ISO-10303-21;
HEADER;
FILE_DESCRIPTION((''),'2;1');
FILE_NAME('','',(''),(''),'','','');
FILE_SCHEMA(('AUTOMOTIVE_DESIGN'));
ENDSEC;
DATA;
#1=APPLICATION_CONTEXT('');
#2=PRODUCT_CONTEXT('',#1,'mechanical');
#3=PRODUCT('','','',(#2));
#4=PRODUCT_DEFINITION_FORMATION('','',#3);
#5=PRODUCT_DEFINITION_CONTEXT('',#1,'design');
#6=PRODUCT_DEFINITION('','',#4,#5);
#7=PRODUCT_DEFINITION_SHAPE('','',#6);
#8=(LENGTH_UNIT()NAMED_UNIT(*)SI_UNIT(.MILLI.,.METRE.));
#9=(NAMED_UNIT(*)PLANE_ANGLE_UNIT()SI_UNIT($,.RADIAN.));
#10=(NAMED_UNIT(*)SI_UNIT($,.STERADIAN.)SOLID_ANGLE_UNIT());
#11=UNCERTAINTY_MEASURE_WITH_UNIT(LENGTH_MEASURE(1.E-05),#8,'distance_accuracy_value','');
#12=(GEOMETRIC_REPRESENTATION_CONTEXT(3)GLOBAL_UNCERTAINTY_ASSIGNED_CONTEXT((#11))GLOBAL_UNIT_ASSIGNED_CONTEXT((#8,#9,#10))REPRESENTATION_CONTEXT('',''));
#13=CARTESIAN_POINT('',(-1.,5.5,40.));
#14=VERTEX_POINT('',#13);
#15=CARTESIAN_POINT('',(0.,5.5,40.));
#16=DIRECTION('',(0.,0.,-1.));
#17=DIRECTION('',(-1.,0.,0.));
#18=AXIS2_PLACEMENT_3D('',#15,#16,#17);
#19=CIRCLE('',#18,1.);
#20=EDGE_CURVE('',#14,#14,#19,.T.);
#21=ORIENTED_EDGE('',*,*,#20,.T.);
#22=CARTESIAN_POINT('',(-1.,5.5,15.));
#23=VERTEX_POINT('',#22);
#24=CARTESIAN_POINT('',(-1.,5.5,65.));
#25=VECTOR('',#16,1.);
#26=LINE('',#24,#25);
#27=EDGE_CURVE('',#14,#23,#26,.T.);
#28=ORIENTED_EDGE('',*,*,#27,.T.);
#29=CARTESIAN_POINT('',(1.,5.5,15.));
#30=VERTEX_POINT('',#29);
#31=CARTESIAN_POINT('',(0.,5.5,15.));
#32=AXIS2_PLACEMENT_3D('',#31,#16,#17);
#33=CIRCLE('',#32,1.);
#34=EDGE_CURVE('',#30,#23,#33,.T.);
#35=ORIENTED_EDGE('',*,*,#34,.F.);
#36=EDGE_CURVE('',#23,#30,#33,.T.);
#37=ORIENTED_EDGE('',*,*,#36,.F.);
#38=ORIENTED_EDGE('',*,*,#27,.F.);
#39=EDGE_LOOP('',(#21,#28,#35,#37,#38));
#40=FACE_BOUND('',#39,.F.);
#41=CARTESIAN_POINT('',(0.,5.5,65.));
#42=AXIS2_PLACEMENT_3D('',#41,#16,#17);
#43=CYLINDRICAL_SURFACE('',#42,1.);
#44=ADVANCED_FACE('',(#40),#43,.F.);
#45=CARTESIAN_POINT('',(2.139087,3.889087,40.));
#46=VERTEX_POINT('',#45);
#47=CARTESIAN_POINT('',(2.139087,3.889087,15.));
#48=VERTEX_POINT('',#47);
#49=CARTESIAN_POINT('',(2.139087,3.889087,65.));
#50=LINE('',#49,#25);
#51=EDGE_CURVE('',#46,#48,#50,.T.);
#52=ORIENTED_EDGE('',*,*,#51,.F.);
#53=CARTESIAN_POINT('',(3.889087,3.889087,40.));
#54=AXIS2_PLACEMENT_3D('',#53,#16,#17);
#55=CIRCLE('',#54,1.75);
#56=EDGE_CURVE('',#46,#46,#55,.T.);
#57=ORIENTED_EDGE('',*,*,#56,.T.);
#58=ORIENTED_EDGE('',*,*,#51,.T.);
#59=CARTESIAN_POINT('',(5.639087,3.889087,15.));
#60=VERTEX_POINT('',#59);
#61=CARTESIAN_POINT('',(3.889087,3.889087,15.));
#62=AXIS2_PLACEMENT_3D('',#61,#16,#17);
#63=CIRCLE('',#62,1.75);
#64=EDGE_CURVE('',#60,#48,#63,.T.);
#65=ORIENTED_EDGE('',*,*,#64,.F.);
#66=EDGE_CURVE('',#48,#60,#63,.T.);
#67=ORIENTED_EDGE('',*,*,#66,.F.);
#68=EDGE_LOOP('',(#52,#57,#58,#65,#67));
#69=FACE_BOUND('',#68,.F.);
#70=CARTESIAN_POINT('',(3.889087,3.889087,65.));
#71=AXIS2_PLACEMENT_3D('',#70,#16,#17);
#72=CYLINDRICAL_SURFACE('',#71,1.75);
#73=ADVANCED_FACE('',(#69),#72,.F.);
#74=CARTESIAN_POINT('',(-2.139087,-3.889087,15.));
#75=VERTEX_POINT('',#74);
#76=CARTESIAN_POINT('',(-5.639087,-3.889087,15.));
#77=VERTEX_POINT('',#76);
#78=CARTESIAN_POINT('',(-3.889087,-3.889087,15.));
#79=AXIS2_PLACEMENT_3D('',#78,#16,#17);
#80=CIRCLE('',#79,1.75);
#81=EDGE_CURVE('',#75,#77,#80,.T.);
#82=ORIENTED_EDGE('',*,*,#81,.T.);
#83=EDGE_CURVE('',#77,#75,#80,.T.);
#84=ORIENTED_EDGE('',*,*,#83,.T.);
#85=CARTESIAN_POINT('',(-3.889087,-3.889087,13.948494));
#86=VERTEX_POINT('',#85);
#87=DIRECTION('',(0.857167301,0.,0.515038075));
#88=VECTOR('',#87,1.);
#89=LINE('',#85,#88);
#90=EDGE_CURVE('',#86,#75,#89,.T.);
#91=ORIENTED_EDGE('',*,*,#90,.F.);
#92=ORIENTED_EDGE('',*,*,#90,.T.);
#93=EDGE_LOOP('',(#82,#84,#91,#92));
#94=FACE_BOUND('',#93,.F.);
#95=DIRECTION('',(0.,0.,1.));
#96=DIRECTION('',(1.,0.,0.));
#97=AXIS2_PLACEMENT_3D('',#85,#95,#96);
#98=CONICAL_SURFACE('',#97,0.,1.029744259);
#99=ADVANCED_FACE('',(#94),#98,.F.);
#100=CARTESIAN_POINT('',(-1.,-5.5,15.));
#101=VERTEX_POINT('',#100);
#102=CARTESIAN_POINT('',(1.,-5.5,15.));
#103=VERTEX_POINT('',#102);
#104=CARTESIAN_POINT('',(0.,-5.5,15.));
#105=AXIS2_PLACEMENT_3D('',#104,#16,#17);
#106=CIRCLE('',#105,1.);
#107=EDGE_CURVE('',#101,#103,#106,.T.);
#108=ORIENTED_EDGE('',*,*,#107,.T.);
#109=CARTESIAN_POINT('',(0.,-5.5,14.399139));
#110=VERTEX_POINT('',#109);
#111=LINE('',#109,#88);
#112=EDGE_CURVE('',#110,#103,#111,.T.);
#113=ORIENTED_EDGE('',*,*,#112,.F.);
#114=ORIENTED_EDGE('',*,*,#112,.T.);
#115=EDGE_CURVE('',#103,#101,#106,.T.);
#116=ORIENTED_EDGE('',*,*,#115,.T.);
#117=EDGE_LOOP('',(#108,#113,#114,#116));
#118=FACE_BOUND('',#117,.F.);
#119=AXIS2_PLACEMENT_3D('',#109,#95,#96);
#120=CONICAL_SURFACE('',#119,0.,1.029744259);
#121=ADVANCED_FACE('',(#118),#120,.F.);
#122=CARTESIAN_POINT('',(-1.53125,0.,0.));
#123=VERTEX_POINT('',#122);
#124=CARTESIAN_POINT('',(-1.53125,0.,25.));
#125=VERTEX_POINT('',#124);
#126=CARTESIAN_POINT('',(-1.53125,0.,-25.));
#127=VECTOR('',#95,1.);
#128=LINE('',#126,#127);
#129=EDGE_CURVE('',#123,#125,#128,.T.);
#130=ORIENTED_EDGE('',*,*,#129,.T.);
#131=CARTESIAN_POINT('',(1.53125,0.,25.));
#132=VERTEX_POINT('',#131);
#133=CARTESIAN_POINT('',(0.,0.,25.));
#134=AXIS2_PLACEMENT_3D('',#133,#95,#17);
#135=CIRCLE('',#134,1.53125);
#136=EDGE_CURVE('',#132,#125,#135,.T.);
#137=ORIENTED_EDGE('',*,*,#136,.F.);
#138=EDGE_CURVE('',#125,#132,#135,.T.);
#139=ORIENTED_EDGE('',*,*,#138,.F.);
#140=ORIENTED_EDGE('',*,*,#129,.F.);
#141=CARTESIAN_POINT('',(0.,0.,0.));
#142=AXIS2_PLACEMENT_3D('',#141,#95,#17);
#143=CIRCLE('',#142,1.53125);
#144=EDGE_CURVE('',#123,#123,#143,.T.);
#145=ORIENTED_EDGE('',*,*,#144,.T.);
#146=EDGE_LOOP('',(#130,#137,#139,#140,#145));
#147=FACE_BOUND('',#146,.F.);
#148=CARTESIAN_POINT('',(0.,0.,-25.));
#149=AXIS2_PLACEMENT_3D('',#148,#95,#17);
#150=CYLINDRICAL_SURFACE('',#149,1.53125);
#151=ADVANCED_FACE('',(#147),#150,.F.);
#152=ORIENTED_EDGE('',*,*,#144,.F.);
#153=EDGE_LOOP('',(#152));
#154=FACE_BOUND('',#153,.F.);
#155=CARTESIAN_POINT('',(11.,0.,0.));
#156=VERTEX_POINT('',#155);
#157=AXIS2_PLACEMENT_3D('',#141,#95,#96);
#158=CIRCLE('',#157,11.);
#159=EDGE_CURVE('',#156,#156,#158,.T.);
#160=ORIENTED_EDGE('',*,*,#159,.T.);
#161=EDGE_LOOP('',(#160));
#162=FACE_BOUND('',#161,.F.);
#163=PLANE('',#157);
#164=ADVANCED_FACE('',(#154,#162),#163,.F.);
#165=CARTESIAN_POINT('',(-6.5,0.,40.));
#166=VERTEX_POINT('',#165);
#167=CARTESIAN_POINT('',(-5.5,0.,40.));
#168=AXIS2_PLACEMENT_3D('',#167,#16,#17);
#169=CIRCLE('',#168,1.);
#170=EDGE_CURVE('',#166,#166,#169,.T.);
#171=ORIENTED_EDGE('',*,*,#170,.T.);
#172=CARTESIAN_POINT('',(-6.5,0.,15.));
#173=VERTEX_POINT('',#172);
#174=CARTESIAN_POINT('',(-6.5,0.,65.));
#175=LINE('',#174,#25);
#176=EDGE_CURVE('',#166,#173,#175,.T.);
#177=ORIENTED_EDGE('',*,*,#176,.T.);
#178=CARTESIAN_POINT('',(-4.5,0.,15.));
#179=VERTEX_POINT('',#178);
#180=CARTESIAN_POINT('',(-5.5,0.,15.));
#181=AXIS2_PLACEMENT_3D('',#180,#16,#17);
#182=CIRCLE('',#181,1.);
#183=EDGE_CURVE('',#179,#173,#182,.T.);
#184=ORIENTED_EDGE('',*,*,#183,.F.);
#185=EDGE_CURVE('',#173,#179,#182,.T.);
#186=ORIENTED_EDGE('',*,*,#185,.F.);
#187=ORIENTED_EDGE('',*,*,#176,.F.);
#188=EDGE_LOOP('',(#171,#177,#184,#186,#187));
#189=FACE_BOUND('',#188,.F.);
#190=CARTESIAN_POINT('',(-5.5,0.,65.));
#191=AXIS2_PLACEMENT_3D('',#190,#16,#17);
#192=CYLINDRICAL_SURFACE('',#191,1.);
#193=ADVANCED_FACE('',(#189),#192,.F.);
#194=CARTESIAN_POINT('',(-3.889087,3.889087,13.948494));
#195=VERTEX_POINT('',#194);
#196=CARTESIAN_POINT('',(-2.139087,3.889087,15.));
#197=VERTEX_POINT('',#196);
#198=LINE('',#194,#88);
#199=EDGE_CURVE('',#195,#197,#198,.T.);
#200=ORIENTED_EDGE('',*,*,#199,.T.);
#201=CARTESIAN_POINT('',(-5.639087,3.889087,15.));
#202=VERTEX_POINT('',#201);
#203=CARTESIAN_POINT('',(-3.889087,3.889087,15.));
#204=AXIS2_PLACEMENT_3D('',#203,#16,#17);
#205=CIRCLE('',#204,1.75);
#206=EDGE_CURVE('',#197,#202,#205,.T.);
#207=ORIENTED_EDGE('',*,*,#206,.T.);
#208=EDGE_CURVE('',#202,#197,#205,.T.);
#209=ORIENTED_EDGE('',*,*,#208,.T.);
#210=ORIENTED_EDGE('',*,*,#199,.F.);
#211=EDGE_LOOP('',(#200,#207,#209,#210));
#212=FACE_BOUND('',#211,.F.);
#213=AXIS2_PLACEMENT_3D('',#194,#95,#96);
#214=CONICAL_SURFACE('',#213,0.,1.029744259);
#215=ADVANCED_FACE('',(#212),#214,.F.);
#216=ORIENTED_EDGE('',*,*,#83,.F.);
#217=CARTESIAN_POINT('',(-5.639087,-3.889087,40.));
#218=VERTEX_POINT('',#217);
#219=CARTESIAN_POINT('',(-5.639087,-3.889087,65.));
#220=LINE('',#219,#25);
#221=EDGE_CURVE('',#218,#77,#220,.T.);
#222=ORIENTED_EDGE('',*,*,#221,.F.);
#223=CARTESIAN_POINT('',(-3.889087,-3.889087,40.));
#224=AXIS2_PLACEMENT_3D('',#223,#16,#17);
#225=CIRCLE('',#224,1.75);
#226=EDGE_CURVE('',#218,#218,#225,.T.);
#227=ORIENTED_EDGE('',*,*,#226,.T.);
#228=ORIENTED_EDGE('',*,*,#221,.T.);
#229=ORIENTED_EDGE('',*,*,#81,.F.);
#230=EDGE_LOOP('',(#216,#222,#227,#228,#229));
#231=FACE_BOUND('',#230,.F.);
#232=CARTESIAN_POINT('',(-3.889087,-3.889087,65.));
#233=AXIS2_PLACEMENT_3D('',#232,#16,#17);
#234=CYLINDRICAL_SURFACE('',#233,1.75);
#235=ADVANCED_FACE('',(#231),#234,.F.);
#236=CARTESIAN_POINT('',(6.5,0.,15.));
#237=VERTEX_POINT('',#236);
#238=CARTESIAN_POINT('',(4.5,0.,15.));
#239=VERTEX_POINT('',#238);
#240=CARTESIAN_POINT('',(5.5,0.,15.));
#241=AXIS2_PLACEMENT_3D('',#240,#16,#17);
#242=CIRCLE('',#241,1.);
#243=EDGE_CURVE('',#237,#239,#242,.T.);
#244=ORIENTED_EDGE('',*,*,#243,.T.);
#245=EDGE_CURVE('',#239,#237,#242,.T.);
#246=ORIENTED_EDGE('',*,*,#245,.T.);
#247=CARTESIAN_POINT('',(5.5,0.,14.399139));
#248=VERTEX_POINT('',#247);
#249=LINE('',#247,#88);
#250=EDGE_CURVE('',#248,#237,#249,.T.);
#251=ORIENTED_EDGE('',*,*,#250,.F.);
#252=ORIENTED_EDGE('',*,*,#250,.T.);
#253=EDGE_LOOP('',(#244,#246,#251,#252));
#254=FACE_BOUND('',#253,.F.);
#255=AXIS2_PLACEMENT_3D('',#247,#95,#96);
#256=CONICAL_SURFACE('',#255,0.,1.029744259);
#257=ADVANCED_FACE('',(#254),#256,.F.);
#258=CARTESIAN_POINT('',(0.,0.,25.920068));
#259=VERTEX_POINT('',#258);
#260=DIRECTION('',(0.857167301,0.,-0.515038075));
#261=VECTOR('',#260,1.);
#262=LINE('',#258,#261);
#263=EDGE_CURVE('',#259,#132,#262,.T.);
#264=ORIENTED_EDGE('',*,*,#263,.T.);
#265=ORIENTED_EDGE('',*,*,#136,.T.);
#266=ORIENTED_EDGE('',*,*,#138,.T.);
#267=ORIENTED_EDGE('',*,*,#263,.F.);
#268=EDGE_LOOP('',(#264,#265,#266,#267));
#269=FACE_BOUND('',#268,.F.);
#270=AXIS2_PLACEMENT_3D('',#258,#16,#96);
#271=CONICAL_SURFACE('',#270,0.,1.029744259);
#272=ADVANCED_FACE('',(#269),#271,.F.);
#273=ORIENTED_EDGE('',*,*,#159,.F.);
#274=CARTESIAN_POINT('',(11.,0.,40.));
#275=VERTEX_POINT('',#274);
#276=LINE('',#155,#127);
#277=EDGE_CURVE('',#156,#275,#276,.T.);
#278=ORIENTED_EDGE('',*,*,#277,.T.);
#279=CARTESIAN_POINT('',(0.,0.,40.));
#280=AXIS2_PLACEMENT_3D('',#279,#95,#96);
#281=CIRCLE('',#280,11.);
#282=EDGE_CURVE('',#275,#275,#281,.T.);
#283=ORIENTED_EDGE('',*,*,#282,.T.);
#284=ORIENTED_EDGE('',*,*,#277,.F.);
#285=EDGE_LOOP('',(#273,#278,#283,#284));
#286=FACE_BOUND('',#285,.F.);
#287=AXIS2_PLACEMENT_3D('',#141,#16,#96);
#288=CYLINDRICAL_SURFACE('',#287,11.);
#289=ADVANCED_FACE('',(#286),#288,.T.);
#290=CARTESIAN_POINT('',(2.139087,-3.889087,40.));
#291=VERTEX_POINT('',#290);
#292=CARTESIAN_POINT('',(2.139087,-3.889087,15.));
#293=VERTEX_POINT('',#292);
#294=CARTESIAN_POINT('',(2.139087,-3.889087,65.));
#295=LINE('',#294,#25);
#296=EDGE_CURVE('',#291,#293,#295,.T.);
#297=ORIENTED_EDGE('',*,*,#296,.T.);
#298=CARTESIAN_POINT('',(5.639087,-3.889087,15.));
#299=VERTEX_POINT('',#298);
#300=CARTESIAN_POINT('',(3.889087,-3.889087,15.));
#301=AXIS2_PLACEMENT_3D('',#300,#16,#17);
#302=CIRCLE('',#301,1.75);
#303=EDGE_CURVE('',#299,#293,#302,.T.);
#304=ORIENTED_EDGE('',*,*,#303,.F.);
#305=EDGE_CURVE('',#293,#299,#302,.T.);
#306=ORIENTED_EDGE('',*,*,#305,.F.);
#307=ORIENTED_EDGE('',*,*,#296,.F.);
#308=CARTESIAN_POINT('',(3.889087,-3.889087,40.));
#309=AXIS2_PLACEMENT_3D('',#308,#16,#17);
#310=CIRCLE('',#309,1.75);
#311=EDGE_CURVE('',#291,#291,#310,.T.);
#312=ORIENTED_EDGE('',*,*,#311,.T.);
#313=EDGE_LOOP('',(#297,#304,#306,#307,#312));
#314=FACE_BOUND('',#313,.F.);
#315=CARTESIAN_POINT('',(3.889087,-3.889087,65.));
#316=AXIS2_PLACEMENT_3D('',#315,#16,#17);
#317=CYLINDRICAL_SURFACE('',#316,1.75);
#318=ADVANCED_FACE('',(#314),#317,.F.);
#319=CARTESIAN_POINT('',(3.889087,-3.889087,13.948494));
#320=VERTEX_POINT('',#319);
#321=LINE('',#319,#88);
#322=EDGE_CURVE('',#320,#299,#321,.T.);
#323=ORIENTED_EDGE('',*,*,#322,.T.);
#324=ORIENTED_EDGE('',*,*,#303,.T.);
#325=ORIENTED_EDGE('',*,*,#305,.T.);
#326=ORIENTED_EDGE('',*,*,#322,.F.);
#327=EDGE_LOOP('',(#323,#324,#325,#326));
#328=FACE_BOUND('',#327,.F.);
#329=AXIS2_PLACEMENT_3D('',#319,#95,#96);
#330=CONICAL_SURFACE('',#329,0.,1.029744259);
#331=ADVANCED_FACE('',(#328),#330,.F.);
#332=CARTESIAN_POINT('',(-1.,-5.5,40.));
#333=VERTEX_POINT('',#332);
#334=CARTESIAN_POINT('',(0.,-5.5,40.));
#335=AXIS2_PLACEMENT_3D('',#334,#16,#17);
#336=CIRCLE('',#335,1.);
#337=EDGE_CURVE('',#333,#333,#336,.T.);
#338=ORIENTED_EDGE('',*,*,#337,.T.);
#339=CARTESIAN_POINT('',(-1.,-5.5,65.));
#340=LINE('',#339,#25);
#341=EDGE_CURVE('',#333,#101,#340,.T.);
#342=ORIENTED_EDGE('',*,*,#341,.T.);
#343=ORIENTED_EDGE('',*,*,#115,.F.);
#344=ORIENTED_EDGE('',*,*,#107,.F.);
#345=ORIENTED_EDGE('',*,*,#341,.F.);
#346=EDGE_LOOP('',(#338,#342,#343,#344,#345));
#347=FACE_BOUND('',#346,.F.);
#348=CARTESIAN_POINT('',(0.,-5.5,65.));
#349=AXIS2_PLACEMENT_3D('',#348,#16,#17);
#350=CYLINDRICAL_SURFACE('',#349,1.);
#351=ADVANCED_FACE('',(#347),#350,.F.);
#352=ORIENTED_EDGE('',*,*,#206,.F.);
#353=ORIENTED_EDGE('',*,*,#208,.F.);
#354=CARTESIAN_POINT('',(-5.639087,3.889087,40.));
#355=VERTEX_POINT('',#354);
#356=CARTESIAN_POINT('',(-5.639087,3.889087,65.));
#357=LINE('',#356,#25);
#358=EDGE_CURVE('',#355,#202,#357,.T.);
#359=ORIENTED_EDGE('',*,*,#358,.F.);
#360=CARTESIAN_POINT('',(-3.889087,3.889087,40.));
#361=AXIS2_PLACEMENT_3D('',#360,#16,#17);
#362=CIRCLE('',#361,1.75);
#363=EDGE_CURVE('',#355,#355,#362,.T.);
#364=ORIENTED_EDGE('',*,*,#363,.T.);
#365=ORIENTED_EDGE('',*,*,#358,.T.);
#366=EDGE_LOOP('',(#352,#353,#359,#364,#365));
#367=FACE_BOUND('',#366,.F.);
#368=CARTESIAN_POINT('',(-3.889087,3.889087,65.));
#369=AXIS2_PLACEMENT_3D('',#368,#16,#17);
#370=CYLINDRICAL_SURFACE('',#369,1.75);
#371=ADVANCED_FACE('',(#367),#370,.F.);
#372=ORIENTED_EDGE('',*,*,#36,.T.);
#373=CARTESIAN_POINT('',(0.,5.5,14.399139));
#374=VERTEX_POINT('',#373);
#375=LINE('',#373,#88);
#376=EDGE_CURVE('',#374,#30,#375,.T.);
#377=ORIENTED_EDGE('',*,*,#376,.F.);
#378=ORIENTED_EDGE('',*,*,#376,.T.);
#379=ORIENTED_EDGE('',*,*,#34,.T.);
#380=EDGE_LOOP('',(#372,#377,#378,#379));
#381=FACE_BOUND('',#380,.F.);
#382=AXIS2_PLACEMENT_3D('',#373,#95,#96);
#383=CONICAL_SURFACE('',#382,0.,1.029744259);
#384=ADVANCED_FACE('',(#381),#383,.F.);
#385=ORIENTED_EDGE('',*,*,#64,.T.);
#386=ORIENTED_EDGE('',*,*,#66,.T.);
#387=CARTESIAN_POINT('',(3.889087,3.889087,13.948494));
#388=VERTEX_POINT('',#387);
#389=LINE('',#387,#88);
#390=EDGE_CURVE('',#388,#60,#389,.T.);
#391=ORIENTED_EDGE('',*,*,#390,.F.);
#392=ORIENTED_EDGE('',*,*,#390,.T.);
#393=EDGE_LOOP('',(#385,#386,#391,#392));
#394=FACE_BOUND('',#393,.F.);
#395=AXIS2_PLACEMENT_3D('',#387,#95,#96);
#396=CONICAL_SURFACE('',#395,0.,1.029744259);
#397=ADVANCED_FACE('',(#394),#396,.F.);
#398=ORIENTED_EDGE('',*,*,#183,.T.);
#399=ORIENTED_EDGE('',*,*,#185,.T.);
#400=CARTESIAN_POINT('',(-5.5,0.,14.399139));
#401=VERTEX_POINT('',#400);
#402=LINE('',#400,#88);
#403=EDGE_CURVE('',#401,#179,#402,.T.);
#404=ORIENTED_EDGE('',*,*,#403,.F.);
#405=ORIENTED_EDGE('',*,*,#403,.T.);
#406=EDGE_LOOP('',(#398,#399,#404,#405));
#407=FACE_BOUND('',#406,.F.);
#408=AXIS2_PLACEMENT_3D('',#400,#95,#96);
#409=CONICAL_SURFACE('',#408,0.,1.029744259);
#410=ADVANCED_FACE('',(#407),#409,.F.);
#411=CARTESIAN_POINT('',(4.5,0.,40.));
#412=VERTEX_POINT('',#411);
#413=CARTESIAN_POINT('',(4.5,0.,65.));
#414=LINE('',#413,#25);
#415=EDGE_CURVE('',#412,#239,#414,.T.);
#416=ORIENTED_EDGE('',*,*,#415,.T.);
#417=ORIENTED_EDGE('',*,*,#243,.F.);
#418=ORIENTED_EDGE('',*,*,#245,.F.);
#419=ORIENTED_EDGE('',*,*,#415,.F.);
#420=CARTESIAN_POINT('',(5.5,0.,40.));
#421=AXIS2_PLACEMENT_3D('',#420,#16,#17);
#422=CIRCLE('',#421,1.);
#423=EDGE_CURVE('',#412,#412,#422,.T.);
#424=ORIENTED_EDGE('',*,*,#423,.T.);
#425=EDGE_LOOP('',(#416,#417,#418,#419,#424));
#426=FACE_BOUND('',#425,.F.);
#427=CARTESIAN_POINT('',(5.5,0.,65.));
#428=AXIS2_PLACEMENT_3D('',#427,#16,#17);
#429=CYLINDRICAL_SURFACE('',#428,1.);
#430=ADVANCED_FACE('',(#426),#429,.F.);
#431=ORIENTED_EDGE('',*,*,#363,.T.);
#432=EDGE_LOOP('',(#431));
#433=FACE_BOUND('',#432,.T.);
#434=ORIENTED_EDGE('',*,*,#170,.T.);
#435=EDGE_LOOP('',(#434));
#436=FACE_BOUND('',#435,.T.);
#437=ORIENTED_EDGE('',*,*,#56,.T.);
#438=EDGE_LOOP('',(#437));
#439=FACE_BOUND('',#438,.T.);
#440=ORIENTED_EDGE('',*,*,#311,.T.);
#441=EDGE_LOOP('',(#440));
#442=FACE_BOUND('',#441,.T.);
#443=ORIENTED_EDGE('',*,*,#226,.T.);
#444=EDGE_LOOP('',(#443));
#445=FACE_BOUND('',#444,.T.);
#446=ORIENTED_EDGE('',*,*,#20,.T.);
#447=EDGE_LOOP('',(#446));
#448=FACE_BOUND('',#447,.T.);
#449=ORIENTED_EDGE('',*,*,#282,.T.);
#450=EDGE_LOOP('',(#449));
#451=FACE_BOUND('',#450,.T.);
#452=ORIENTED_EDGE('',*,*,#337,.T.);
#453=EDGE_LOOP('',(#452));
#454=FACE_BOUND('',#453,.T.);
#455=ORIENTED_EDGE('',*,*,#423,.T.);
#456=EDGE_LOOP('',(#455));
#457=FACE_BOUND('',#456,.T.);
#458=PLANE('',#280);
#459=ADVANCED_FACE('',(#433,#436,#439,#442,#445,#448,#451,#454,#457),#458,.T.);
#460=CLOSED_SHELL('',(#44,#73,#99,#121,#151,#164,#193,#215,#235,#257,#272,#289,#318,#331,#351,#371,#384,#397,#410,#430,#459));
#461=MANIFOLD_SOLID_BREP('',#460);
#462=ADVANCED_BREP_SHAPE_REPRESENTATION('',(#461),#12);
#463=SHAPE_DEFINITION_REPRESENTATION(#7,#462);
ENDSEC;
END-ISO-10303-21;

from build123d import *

# Parameters (mm, degrees)
F0_R     = 11
F1_DEPTH = 40
F3_D     = 3.0625
F3_DEPTH = 25
F3_TIP   = 0.9200678229
F5_D     = 2
F5_DEPTH = 25
F5_TIP   = 0.600860619
F7_D     = 3.5
F7_DEPTH = 25
F7_TIP   = 1.0515060833


with BuildPart() as f1:
    # F0 (on Top) → F1 (new body)
    with BuildSketch(Plane.XY):
        Circle(F0_R)
    extrude(amount=F1_DEPTH)

    # F3
    with Locations(Plane(origin=(0, 0, 0), x_dir=(1, 0, 0), z_dir=(0, 0, -1))):
        with Locations((0, 0)):
            Hole(F3_D / 2, depth=F3_DEPTH)
            with Locations((0, 0, -(F3_DEPTH + F3_TIP / 2))):  # 118° drill point
                Cone(0, F3_D / 2, F3_TIP, mode=Mode.SUBTRACT)

    # F5
    with Locations(Plane.XY.offset(40)):
        with Locations((0, 5.5), (5.5, 0), (-5.5, 0), (0, -5.5)):
            Hole(F5_D / 2, depth=F5_DEPTH)
            with Locations((0, 0, -(F5_DEPTH + F5_TIP / 2))):  # 118° drill point
                Cone(0, F5_D / 2, F5_TIP, mode=Mode.SUBTRACT)

    # F7
    with Locations(Plane.XY.offset(40)):
        with Locations((-3.8890872965, 3.8890872965), (3.8890872965, 3.8890872965), (3.8890872965, -3.8890872965), (-3.8890872965, -3.8890872965)):
            Hole(F7_D / 2, depth=F7_DEPTH)
            with Locations((0, 0, -(F7_DEPTH + F7_TIP / 2))):  # 118° drill point
                Cone(0, F7_D / 2, F7_TIP, mode=Mode.SUBTRACT)


solid = f1.part
